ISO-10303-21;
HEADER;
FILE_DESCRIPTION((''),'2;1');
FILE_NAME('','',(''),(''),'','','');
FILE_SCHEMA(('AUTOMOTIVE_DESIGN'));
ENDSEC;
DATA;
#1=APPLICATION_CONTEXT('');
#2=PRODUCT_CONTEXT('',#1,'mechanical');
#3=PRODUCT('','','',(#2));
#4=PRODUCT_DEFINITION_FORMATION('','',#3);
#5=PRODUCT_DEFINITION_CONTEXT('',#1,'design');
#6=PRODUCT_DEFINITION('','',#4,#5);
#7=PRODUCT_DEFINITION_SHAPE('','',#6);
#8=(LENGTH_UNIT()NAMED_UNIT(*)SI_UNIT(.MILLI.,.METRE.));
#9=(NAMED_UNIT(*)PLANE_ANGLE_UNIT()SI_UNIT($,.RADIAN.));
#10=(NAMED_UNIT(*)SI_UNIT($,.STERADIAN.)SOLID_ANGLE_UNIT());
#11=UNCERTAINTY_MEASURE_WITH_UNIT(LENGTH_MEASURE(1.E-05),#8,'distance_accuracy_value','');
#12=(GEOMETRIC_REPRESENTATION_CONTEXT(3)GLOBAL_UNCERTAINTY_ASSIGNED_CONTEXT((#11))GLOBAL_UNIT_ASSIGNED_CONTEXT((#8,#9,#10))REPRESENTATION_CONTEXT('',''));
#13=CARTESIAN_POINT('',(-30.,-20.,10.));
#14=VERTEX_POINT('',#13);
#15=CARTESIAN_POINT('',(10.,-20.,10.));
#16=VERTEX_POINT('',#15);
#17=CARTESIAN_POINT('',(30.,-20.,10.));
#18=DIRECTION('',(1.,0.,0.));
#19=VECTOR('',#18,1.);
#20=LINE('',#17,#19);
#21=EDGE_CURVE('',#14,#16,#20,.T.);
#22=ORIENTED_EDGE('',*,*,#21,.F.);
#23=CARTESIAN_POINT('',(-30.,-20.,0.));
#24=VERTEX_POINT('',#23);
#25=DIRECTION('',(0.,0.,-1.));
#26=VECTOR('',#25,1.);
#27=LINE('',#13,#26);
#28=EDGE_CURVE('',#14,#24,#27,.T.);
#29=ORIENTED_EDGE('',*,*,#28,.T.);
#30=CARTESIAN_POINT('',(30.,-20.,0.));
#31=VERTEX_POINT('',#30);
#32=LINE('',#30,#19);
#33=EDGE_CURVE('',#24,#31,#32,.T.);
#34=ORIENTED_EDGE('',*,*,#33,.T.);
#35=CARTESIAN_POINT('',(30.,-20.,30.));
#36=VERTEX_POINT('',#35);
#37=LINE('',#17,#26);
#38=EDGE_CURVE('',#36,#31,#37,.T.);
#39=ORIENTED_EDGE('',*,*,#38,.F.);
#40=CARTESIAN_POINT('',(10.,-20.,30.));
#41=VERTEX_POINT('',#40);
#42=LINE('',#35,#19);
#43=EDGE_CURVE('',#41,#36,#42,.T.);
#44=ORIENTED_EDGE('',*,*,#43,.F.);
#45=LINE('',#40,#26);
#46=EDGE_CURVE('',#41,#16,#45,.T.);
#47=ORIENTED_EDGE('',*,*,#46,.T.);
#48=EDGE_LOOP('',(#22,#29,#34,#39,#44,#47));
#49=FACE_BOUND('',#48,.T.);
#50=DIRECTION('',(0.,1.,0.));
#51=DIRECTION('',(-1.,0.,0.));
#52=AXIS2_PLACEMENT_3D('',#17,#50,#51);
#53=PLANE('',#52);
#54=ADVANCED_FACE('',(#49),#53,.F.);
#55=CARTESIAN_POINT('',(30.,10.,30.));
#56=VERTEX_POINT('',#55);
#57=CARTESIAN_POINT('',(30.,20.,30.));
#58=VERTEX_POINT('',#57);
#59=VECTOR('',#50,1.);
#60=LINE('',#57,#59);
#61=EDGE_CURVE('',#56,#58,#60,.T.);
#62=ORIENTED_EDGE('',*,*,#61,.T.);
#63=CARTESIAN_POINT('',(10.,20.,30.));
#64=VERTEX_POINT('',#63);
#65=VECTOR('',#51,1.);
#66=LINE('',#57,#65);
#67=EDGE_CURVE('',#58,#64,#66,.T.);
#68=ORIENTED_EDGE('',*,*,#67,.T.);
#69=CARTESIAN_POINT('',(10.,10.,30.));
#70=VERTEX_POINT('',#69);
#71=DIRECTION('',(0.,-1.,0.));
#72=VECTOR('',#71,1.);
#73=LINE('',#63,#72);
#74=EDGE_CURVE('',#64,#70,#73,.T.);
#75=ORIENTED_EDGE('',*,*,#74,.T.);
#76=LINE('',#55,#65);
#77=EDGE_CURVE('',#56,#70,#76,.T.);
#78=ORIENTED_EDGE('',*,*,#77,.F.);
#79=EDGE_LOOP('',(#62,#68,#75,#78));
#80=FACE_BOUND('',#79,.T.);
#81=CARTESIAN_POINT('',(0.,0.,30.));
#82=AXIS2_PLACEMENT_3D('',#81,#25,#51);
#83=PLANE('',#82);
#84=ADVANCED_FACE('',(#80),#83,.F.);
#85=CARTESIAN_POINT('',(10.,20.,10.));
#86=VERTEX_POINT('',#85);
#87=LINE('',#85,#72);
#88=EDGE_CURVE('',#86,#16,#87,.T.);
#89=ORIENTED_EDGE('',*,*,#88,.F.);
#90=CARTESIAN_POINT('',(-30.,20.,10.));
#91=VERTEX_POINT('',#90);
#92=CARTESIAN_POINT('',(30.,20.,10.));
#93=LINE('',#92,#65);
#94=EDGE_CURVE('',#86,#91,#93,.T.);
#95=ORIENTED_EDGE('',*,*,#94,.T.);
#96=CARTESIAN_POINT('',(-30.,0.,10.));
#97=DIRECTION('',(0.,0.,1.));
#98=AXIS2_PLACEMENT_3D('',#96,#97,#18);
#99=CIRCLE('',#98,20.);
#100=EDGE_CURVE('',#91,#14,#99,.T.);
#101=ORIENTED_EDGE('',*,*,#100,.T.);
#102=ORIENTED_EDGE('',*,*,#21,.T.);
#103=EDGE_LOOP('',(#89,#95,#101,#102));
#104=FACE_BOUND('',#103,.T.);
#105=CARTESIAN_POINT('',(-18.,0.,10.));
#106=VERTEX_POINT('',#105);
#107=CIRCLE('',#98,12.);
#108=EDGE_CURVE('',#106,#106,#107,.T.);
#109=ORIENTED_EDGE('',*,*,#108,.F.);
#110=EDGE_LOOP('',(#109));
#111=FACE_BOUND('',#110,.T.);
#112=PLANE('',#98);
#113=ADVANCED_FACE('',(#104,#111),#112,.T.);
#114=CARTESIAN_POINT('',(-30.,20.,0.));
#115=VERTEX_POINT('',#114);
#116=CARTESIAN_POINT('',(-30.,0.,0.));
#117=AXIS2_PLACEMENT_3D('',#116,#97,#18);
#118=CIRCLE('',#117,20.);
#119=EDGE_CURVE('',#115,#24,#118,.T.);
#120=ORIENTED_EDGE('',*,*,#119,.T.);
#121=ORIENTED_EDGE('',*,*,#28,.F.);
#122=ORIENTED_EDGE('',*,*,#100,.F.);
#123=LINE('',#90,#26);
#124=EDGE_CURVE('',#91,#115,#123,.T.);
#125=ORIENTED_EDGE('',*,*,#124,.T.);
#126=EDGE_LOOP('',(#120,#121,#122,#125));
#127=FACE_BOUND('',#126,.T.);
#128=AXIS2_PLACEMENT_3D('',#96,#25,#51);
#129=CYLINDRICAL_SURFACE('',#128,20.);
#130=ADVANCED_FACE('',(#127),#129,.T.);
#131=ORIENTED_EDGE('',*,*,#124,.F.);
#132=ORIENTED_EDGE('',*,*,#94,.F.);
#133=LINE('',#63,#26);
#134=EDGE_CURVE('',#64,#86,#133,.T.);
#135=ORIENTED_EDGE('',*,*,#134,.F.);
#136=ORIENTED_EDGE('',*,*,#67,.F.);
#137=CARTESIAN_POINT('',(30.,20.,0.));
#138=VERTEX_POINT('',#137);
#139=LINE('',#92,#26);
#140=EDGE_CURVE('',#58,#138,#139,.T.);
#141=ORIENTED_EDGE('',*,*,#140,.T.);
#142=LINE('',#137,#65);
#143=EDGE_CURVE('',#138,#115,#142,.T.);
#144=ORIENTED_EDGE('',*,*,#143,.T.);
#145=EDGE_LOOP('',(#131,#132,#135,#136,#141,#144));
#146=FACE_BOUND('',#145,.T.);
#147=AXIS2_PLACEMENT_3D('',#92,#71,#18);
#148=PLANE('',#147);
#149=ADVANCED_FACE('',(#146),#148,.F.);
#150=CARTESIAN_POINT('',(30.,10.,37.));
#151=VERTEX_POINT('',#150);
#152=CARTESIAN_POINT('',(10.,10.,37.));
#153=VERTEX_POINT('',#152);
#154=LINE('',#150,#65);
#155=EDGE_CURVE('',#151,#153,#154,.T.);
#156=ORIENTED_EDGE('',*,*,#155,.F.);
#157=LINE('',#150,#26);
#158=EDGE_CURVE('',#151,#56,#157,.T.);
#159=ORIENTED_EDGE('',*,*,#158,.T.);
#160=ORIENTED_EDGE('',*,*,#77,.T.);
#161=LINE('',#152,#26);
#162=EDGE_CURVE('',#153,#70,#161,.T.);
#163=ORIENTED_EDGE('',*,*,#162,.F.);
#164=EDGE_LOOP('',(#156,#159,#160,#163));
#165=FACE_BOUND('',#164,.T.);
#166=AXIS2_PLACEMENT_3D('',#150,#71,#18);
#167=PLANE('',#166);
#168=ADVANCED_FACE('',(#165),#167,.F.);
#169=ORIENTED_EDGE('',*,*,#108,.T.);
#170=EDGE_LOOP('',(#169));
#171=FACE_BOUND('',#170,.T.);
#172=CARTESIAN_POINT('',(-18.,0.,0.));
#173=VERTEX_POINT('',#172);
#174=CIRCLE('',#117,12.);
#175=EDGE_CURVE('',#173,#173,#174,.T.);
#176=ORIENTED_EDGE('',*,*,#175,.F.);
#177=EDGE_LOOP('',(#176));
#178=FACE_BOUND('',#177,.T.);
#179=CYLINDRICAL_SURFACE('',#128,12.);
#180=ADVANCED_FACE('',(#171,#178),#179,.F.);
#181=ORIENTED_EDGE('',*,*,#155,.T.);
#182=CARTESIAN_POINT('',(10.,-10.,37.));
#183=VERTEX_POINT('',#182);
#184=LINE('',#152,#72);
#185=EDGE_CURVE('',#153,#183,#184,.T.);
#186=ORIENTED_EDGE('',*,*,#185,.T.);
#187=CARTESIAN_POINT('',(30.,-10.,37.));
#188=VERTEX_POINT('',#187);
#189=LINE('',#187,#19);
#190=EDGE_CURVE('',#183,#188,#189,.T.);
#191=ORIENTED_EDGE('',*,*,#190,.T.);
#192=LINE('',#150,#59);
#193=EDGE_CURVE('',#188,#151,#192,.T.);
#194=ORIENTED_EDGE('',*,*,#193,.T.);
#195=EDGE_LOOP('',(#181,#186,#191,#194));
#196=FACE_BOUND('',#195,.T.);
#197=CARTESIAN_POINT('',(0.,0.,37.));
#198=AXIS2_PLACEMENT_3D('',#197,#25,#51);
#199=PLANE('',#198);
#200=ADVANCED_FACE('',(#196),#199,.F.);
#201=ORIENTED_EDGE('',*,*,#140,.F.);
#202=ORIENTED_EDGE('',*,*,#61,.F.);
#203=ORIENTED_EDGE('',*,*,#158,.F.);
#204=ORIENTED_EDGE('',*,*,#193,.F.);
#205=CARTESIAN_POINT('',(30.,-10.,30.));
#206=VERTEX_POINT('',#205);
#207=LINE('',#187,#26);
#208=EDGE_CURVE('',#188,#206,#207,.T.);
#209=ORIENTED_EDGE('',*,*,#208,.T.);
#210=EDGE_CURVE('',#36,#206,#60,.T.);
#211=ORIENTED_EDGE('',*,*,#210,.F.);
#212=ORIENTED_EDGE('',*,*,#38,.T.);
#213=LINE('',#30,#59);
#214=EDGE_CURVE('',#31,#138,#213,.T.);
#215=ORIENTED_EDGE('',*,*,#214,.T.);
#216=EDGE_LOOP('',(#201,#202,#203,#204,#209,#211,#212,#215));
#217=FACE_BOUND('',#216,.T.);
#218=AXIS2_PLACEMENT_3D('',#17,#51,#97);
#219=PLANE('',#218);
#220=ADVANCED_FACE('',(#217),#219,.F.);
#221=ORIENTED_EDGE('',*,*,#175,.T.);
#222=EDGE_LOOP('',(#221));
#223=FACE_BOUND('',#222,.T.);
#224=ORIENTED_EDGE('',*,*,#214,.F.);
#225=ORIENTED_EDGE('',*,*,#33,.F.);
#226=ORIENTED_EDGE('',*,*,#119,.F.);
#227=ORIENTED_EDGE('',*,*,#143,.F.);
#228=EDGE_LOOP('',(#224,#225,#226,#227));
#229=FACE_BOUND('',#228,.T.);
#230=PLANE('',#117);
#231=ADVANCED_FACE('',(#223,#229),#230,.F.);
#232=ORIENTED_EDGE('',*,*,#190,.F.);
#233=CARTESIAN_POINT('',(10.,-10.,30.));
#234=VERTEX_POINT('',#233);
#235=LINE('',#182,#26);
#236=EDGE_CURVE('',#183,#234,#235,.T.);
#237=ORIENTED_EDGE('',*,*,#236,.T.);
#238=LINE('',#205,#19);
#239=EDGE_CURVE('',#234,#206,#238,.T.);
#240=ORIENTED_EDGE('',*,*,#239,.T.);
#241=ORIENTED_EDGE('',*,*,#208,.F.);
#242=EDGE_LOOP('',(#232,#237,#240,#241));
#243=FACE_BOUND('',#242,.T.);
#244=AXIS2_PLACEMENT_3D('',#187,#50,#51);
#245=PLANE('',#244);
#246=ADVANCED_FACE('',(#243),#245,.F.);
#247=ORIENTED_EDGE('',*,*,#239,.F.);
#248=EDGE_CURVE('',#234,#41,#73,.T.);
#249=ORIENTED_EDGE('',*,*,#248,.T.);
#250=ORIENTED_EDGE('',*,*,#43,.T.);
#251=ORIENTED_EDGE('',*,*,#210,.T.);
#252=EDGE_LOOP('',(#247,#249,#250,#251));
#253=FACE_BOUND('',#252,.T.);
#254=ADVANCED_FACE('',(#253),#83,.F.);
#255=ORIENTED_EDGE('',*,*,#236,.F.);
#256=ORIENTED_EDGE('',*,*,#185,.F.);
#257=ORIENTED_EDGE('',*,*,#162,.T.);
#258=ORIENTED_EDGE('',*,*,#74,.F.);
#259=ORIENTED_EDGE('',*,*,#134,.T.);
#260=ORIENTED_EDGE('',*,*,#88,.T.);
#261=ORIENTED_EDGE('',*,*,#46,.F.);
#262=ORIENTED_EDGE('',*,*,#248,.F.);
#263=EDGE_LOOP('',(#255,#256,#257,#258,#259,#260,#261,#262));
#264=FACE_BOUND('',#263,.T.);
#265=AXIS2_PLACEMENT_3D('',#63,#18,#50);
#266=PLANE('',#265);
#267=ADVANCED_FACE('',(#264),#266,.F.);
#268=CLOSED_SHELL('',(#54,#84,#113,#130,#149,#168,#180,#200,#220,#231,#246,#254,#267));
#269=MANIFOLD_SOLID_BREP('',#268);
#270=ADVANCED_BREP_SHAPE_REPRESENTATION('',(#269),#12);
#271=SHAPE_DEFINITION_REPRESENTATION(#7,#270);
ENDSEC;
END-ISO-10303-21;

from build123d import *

# Parameters (mm, degrees)
SKETCH1_R           = 12
BOSS_EXTRUDE1_DEPTH = 10
SKETCH2_W           = 20
SKETCH2_H           = 40
BOSS_EXTRUDE2_DEPTH = 20
SKETCH3_W           = 20
SKETCH3_H           = 20
BOSS_EXTRUDE3_DEPTH = 7


with BuildPart() as part:
    # Sketch1 → Boss-Extrude1 (new body)
    with BuildSketch(Plane.XY):
        with BuildLine():
            Line((30, -20), (-30, -20))
            ThreePointArc((-30, -20), (-50, 0), (-30, 20))
            Line((-30, 20), (30, 20))
            Line((30, 20), (30, -20))
        make_face()
        with Locations((-30, 0)):
            Circle(SKETCH1_R, mode=Mode.SUBTRACT)
    extrude(amount=BOSS_EXTRUDE1_DEPTH)

    # Sketch2 → Boss-Extrude2 (add)
    with BuildSketch(Plane.XY.offset(10)):
        with Locations((20, 0)):
            Rectangle(SKETCH2_W, SKETCH2_H)
    extrude(amount=BOSS_EXTRUDE2_DEPTH)

    # Sketch3 → Boss-Extrude3 (add)
    with BuildSketch(Plane.XY.offset(30)):
        with Locations((20, 0)):
            Rectangle(SKETCH3_W, SKETCH3_H)
    extrude(amount=BOSS_EXTRUDE3_DEPTH)


solid = part.part
